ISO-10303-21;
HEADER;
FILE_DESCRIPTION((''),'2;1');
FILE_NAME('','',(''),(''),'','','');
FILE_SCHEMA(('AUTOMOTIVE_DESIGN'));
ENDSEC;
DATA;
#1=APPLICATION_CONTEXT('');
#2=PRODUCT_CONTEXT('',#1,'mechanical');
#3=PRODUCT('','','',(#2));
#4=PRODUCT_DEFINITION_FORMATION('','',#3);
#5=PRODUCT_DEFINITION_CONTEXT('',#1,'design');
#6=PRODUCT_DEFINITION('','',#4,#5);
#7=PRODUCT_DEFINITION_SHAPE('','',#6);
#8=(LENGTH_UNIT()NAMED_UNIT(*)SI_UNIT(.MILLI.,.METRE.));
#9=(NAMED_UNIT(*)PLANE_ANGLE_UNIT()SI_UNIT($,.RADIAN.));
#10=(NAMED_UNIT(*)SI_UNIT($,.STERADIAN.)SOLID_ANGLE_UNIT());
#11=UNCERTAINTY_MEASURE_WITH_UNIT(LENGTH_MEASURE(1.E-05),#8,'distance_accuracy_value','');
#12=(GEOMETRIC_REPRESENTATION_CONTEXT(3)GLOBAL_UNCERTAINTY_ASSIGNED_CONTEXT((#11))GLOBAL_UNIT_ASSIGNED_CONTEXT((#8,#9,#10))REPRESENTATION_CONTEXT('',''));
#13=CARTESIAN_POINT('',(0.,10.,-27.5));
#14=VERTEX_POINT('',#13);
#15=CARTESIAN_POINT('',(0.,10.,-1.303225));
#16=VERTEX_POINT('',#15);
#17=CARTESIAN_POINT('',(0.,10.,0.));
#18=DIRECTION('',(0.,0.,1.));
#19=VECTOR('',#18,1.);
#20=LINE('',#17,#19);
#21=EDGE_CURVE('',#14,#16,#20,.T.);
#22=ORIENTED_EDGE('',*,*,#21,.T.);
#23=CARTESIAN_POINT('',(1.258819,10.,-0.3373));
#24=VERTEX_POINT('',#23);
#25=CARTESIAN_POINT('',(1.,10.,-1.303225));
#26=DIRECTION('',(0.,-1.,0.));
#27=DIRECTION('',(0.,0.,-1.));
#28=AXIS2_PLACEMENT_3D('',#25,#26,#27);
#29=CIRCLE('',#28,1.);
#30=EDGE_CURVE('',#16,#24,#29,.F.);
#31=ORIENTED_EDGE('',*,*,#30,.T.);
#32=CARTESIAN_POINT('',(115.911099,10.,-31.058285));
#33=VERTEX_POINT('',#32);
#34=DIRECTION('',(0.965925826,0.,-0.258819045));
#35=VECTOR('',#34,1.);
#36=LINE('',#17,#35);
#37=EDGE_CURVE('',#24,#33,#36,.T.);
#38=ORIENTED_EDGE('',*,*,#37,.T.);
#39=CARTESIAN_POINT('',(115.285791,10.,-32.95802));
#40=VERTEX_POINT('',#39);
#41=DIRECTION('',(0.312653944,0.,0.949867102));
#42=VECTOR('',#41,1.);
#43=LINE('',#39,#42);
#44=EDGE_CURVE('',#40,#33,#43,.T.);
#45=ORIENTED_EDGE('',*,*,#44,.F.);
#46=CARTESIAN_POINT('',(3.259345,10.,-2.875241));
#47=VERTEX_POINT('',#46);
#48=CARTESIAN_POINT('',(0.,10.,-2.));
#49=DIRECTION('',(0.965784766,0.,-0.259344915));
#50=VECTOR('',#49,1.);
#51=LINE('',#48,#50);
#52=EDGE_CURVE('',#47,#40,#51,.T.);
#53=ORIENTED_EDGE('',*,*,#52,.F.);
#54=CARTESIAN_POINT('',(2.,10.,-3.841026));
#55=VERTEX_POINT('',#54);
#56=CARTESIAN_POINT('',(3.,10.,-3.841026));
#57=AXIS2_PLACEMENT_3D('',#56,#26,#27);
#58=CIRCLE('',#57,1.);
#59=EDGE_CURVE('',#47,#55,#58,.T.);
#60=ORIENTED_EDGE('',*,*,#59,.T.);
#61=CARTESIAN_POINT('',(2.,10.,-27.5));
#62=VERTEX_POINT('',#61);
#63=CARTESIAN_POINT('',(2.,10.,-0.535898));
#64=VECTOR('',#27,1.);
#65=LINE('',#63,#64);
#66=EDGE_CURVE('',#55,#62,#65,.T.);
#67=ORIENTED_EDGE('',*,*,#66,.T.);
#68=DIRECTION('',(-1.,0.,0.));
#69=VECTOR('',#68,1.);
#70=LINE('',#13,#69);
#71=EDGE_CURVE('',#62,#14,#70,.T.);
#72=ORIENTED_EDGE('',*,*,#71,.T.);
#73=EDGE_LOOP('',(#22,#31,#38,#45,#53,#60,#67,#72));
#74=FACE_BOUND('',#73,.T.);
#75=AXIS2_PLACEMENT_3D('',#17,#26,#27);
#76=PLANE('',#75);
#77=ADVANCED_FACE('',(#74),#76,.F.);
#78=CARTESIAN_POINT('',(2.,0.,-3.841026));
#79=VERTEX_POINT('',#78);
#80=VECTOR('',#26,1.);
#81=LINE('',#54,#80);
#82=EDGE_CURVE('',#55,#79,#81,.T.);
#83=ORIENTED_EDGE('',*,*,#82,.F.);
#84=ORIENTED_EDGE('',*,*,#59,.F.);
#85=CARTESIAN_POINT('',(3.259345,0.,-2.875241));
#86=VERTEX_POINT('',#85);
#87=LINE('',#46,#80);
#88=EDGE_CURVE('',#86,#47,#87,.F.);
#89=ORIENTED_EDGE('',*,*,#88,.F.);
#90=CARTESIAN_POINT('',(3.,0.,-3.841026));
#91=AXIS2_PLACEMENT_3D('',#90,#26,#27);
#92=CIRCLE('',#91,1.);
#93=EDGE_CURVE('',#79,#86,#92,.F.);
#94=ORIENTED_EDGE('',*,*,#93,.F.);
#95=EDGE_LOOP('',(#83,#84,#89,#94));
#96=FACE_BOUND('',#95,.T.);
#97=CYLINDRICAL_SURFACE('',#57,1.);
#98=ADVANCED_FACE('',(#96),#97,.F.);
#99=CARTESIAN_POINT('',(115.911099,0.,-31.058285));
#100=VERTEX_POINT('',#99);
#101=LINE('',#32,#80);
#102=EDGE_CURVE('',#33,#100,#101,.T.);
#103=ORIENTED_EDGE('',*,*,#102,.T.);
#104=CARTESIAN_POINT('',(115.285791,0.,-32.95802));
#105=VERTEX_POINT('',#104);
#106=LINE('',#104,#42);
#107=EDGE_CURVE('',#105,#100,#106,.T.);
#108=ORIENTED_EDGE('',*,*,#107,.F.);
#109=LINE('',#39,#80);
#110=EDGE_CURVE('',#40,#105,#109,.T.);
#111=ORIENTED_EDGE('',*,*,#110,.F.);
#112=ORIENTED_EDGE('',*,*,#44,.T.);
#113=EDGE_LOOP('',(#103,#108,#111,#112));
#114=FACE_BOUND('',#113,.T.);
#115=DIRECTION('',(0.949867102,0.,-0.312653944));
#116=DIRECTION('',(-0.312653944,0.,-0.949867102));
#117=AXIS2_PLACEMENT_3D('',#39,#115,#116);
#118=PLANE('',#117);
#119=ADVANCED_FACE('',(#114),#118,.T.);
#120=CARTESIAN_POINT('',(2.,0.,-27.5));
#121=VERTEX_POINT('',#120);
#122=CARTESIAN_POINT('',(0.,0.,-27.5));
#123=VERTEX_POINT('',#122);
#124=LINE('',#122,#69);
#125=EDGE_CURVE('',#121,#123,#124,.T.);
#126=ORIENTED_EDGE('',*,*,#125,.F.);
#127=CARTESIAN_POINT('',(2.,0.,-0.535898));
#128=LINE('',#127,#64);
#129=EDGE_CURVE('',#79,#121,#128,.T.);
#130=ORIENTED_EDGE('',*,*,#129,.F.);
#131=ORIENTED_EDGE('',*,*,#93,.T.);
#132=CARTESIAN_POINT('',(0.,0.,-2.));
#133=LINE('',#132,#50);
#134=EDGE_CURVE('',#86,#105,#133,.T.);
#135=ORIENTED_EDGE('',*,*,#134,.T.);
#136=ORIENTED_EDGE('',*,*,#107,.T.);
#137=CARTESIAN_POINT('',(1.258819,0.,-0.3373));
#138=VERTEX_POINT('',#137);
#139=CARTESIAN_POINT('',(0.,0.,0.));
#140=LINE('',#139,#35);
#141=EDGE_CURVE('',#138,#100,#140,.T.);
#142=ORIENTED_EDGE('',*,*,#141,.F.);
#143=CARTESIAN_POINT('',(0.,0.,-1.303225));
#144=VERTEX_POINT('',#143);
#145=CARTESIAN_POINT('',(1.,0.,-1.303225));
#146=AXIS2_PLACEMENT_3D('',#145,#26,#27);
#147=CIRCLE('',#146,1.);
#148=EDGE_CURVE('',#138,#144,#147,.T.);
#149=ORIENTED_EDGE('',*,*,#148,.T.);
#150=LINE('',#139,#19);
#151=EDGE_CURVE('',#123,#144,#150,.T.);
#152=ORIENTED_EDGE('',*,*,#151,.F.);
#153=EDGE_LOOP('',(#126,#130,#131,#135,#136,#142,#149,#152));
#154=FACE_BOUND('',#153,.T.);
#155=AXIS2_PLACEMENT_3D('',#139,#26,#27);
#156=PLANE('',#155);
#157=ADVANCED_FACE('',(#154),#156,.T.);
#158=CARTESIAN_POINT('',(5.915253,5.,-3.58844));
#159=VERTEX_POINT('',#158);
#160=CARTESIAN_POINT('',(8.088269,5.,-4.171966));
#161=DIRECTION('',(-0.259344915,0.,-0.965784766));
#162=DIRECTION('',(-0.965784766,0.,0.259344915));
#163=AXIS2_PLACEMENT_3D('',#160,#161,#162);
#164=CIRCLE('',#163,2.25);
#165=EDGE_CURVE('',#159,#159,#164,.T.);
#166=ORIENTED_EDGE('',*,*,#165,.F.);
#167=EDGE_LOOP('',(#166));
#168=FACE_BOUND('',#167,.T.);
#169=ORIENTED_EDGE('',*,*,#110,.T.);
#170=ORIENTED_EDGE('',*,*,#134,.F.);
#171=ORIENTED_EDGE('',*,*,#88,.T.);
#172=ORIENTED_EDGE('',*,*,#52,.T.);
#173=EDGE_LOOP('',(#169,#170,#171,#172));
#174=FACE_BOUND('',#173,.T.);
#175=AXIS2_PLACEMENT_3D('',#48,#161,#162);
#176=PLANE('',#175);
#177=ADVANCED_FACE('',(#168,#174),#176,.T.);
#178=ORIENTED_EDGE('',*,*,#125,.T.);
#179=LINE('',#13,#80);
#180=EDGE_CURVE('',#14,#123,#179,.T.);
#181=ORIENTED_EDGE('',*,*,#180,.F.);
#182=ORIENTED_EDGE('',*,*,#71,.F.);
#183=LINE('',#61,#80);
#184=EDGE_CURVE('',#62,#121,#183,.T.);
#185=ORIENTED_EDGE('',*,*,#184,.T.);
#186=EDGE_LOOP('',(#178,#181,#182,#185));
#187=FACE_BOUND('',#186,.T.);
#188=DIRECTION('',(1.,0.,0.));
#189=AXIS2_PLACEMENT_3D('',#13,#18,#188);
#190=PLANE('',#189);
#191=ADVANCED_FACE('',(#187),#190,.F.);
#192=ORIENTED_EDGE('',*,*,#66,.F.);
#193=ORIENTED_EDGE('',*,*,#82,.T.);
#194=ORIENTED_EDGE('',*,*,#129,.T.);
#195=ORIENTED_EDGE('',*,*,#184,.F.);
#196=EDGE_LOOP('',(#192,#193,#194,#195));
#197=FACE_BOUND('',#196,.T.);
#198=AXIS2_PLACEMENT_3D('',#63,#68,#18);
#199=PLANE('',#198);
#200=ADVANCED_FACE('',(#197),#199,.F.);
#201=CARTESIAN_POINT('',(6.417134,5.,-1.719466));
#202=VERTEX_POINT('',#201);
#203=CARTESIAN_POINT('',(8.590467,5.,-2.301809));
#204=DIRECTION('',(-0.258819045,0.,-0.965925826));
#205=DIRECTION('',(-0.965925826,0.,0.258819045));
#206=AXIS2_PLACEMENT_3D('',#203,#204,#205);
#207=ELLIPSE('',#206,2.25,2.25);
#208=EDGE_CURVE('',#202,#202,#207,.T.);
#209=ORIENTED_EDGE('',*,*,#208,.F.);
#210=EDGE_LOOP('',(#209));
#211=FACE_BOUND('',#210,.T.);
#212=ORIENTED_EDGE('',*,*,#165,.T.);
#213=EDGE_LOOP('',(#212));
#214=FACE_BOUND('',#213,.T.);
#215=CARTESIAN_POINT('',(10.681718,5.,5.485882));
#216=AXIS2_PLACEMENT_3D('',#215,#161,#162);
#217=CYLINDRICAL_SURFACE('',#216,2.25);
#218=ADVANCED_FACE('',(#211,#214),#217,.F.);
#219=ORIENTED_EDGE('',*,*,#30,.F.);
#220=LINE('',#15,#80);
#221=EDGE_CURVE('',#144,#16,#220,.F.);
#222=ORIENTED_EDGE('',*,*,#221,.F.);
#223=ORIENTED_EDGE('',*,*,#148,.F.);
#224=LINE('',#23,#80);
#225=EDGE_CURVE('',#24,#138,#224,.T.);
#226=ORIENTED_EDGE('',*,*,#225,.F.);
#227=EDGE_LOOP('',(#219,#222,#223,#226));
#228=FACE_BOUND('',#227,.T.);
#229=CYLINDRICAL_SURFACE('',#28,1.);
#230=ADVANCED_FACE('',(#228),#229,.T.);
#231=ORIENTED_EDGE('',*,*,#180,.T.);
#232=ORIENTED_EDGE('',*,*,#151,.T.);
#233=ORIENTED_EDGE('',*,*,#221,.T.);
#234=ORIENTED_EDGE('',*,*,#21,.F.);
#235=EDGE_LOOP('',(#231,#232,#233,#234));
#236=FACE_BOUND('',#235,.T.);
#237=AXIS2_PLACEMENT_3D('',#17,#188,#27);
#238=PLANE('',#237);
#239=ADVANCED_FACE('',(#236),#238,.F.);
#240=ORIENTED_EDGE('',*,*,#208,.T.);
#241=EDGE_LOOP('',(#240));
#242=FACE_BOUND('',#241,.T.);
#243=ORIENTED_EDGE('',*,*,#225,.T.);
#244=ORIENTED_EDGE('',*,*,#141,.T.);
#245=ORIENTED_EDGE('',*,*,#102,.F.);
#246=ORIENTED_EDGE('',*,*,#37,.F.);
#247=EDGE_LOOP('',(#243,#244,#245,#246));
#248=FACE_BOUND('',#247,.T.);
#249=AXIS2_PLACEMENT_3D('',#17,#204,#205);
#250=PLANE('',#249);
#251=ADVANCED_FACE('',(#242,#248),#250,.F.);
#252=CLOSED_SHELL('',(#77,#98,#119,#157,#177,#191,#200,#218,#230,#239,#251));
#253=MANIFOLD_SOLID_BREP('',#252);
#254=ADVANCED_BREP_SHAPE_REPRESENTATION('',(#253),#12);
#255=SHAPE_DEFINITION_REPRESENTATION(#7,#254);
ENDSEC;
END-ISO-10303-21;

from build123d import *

# Parameters (mm, degrees)
BOSS_EXTRUDE1_DEPTH = 10
BOSS_EXTRUDE2_DEPTH = 10
FILLET1_R           = 1
SKETCH4_R           = 2.25
CUT_EXTRUDE1_DEPTH  = 10


with BuildPart() as part:
    # Sketch1 → Boss-Extrude1 (new body)
    with BuildSketch(Plane(origin=(0, 0, 0), x_dir=(1, 0, 0), z_dir=(0, 1, 0))):
        Polygon((0, 0), (2, 0.535898385), (2, 27.5), (0, 27.5), align=None)
    extrude(amount=BOSS_EXTRUDE1_DEPTH)

    # Sketch3 → Boss-Extrude2 (add)
    with BuildSketch(Plane.XZ):
        Polygon((0, 0), (115.911099155, -31.058285412), (115.285791267, -32.958019616), (0, -2), align=None)
    extrude(amount=-BOSS_EXTRUDE2_DEPTH)

    # Fillet1
    fillet1_edges = [part.edges().sort_by_distance(p)[0] for p in [
        (2, 5, -2.537065657),
        (0, 5, 0),
    ]]
    fillet(fillet1_edges, radius=FILLET1_R)

    # Sketch4 → Cut-Extrude1 (cut)
    with BuildSketch(Plane(origin=(-0.500942736, 0, -1.86548043), x_dir=(-0.9657847664118184, 0, 0.25934491505882573), z_dir=(-0.25934491505882573, 0, -0.9657847664118184))):
        with Locations((-8.893504829, 5)):
            Circle(SKETCH4_R)
    extrude(amount=-CUT_EXTRUDE1_DEPTH, mode=Mode.SUBTRACT)


solid = part.part
